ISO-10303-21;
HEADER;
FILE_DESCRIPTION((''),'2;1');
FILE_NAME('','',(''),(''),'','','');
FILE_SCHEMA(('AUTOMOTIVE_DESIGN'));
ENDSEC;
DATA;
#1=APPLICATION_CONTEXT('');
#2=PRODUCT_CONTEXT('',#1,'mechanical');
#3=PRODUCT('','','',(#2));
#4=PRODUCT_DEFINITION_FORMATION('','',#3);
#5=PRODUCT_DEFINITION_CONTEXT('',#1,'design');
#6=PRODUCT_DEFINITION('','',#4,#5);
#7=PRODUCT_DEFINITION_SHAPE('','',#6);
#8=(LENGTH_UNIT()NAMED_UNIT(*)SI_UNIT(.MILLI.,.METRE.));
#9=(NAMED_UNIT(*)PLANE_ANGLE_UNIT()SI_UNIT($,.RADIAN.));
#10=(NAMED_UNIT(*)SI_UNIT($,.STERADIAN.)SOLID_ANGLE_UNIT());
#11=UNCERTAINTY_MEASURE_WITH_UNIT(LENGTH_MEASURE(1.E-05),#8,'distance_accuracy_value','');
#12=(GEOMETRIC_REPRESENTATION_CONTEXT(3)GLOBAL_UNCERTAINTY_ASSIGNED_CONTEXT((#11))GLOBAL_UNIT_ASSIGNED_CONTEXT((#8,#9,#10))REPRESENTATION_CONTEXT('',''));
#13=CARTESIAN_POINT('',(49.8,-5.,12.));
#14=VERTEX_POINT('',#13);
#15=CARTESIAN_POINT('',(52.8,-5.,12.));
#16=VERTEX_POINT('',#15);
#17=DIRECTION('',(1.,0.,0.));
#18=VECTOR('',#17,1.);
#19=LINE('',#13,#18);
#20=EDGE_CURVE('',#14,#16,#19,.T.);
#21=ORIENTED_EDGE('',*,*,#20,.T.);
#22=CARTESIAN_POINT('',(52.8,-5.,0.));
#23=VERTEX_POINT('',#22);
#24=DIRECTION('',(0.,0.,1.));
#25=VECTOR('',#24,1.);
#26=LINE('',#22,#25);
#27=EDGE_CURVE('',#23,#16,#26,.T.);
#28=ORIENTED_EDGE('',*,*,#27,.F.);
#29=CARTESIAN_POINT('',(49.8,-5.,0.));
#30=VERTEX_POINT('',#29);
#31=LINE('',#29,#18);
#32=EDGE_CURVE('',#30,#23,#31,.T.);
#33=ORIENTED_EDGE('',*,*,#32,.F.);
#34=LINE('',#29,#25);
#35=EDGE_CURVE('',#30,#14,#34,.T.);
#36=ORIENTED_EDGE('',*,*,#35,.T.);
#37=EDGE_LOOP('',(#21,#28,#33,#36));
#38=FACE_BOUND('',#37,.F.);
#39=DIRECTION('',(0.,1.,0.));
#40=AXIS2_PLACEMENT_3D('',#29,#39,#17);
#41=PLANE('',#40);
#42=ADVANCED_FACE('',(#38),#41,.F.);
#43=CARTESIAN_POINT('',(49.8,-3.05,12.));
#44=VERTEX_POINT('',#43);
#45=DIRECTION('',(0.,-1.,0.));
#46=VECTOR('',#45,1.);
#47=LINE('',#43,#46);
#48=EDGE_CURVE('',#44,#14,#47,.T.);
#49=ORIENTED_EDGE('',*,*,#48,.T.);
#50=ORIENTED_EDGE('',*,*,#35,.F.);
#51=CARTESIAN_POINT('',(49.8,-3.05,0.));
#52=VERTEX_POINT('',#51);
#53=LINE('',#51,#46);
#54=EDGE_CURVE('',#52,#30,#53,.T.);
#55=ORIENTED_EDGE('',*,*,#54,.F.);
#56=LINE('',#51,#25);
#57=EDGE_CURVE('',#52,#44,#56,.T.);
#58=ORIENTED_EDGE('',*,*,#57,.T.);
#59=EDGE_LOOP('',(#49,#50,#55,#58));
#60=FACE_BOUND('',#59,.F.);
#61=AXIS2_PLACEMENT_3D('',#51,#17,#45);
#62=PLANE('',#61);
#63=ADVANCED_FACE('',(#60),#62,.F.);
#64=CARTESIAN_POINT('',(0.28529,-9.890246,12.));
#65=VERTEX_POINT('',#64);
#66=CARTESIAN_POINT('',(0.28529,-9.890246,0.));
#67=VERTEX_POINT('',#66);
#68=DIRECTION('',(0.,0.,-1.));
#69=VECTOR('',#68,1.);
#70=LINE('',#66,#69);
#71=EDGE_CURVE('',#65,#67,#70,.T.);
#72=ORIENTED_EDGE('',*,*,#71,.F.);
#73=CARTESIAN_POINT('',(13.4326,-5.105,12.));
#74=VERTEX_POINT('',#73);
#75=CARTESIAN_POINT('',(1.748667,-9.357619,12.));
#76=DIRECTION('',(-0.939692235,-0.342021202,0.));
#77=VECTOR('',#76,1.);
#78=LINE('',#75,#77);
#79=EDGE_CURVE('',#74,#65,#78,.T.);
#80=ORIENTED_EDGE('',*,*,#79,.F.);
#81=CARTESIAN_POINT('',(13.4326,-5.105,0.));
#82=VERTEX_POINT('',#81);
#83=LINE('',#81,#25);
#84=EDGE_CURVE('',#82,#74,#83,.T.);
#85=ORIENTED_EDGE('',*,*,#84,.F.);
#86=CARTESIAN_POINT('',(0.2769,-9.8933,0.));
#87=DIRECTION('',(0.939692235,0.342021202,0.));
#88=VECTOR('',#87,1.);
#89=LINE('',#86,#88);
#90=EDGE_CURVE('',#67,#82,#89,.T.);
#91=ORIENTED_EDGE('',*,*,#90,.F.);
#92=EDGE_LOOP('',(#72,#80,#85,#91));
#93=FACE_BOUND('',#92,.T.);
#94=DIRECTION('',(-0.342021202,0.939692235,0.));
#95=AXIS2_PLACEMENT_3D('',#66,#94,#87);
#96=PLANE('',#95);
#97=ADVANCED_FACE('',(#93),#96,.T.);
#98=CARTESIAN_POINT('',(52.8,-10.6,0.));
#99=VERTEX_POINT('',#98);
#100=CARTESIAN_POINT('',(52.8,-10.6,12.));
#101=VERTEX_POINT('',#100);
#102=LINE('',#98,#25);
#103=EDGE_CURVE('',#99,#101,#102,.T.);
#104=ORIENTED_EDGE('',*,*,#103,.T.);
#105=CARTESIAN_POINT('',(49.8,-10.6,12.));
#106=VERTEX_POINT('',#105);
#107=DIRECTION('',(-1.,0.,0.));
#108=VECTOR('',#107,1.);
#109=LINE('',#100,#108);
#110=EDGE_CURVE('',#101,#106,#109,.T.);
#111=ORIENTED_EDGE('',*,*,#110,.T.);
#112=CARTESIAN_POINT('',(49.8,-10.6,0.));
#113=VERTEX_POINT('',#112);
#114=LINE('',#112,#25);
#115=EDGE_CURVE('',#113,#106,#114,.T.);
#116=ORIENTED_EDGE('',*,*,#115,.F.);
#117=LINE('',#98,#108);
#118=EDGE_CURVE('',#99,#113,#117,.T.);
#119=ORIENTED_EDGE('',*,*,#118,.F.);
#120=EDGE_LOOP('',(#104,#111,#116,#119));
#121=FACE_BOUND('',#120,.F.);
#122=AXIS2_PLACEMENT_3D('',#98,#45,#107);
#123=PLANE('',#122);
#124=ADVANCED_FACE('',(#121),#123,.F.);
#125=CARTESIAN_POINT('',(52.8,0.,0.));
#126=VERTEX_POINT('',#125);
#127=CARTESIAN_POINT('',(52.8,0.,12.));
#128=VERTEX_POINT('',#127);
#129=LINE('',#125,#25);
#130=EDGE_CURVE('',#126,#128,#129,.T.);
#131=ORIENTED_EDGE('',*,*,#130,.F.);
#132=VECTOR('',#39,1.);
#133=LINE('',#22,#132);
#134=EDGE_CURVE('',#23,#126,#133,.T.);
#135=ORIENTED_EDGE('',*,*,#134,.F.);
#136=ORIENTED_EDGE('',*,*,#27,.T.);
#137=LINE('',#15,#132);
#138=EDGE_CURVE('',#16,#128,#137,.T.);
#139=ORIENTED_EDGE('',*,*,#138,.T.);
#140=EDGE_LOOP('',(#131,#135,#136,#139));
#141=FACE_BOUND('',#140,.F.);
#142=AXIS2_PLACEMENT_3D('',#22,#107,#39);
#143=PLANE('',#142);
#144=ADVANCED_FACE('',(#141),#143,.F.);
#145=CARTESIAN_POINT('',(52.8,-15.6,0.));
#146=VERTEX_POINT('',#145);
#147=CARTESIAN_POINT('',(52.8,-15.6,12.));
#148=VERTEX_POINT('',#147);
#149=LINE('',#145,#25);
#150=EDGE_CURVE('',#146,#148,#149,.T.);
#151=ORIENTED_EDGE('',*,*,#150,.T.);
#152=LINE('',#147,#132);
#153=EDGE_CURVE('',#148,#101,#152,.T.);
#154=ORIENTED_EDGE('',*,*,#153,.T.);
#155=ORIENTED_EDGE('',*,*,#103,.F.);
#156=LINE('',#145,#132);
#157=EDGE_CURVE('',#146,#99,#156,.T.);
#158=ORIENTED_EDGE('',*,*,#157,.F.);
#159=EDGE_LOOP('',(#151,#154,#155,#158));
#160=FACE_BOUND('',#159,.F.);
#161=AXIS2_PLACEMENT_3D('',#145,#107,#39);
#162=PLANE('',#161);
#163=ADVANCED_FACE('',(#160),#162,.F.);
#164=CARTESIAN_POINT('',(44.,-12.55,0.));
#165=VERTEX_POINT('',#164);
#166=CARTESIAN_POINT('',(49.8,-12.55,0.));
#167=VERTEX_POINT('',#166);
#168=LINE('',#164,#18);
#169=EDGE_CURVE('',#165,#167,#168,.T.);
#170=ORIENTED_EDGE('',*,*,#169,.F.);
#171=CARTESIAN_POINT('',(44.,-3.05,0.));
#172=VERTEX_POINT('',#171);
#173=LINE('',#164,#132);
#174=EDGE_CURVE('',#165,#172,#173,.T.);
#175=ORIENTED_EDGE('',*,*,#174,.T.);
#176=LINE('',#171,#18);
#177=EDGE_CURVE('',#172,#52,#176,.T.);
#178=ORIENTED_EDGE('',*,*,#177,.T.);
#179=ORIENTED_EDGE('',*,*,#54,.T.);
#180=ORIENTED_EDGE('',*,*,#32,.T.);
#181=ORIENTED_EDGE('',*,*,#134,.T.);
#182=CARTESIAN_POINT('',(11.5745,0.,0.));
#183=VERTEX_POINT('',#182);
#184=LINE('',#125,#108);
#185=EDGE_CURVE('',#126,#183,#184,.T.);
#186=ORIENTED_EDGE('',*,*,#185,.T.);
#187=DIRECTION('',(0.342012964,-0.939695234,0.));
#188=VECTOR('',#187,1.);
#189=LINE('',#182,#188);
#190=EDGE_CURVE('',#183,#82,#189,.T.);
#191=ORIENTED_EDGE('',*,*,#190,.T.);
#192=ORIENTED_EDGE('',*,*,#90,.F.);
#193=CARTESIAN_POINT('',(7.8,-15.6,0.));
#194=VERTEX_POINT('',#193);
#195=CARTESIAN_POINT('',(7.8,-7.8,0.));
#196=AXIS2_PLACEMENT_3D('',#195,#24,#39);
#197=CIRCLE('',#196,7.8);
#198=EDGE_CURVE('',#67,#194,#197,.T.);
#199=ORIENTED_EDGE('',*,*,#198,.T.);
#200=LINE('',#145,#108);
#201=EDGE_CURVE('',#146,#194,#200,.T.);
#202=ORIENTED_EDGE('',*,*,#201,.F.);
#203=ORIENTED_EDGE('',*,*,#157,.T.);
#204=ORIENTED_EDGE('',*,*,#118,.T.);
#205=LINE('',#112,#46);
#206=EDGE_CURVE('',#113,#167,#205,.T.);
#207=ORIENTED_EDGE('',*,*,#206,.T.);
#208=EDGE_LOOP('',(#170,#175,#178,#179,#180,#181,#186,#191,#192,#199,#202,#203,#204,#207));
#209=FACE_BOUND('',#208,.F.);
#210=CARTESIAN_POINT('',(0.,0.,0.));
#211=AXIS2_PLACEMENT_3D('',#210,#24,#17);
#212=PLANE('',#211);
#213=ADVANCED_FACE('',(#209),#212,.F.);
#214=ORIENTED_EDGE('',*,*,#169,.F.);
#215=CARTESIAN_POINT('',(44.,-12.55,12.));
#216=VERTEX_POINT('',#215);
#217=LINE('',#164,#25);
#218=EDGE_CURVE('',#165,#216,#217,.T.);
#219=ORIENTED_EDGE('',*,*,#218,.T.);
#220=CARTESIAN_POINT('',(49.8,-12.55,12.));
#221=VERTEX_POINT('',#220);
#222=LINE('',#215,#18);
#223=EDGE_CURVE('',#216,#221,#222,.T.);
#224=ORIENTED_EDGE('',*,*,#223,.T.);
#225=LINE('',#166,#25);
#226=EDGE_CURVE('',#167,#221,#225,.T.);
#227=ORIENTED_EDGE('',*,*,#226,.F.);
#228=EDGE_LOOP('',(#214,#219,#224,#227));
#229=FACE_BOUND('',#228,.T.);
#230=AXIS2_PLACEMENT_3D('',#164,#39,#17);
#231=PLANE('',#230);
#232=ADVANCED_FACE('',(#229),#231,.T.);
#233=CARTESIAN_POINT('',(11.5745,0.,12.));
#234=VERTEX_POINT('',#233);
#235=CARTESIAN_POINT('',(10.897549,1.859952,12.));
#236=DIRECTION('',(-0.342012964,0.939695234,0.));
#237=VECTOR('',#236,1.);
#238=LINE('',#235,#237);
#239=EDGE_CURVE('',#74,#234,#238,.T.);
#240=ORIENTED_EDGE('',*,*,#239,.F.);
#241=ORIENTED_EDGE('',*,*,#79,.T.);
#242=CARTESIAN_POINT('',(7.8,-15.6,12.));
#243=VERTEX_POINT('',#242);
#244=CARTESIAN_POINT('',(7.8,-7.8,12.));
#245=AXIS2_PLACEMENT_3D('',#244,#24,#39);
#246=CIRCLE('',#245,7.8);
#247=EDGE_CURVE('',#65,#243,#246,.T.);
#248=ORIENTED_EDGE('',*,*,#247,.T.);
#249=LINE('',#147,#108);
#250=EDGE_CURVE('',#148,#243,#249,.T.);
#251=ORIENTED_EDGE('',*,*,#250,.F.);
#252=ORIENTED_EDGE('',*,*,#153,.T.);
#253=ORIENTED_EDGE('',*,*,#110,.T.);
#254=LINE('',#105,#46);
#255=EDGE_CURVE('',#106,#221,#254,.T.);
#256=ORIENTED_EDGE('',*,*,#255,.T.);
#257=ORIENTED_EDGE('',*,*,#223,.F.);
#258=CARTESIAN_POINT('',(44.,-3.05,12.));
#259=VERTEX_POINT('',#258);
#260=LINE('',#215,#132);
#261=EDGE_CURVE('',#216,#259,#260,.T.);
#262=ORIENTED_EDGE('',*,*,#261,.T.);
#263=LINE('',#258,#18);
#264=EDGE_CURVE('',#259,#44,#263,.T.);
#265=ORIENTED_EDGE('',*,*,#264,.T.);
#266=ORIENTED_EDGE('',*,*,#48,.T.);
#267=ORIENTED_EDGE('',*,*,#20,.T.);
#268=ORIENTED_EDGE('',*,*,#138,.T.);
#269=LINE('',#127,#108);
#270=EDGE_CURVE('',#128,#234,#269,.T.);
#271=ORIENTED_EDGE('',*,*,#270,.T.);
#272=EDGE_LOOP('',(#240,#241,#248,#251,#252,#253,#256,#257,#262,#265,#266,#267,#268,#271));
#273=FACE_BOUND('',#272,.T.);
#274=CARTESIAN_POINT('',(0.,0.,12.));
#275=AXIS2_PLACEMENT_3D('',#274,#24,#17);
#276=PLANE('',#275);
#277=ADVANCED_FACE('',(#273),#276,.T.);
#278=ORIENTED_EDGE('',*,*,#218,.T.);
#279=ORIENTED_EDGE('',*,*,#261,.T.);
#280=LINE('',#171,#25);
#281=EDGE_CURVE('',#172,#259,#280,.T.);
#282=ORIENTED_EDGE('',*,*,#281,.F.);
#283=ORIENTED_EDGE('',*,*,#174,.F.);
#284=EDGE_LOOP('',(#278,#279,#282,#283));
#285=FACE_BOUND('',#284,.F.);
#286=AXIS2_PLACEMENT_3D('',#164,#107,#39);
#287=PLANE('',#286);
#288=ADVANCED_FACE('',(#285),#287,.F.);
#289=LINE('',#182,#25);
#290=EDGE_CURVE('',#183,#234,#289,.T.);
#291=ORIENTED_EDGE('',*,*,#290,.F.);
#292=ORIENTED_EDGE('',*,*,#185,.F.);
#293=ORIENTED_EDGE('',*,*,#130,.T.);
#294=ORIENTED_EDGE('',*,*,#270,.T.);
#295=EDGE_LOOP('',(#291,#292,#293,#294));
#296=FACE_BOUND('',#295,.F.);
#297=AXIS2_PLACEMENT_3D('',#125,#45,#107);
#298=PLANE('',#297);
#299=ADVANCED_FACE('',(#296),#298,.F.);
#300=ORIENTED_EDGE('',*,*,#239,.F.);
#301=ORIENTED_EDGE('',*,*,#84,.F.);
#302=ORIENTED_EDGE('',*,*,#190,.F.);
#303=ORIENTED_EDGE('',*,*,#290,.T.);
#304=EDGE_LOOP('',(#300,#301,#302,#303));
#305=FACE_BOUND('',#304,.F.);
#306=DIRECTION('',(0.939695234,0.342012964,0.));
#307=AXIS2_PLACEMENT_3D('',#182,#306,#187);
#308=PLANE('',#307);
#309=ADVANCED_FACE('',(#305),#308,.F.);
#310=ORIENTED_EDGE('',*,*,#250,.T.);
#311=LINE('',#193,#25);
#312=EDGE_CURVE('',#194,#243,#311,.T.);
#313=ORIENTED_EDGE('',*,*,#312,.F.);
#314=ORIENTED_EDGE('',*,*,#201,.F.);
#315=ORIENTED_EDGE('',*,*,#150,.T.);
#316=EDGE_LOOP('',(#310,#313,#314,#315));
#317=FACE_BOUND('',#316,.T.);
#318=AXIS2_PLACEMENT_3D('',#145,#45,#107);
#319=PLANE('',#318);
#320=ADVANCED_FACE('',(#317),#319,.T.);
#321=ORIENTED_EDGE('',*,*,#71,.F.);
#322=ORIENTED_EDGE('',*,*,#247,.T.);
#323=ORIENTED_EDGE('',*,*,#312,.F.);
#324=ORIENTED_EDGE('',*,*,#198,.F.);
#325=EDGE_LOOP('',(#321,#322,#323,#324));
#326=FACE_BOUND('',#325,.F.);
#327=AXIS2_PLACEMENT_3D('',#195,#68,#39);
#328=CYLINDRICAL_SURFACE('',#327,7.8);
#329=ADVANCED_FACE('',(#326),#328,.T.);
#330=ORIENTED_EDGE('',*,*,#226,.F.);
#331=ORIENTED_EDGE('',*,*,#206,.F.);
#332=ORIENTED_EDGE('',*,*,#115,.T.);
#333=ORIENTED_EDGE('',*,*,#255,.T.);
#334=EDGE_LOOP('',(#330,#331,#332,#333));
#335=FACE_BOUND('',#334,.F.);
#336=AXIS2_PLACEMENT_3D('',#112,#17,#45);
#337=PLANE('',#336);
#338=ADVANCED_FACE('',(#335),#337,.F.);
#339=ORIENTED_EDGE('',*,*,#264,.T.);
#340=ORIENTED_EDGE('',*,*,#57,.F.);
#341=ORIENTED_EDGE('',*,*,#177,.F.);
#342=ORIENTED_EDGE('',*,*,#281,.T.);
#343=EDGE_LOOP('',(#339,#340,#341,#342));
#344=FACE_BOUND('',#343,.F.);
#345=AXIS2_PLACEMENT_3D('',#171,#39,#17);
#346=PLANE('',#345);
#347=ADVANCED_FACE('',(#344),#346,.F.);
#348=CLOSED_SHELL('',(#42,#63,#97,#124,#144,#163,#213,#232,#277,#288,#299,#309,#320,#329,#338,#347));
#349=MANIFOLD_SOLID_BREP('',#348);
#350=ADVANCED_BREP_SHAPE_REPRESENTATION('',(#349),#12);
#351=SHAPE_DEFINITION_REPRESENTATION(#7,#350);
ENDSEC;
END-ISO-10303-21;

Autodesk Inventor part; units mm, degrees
ref_plane "YZ Plane" through (0, 0, 0) normal (1, 0, 0) x (0, 1, 0)
ref_plane "XZ Plane" through (0, 0, 0) normal (0, 1, 0) x (-1, 0, 0)
ref_plane "XY Plane" through (0, 0, 0) normal (0, 0, 1) x (1, 0, 0)
sketch "Sketch5" plane through (0, 0, 0) normal (0, 0, 1) x (1, 0, 0)
  line L0 (52.8, -15.6) -> (52.8, -10.6)
  line L1 (52.8, -10.6) -> (49.8, -10.6)
  line L2 (49.8, -10.6) -> (49.8, -12.55)
  line L3 (44, -12.55) -> (44, -3.05)
  line L4 (49.8, -3.05) -> (49.8, -5)
  line L5 (49.8, -5) -> (52.8, -5)
  line L6 (52.8, -5) -> (52.8, 0)
  line L7 (52.8, 0) -> (7.8, 0)
  line L8 (44, -3.05) -> (49.8, -3.05)
  line L9 (44, -12.55) -> (49.8, -12.55)
  line L10 (52.8, -15.6) -> (7.8, -15.6)
  arc A0 (7.8, 0) -> (7.8, -15.6) centre (7.8, -7.8) ccw
  point P0 (0, 0)
  dimension "d41" = 5.8
  dimension "d48" = 44
  dimension "d63" = 45
  dimension "d67" = 15.6
  dimension "d71" = 0
  dimension "d72" = 36.2
  dimension "d85" = 5.6
  dimension "d86" = 9.5
  dimension "d87" = 3
extrude "Extrusion2" add sketch "Sketch5" along normal blind 12
sketch "Sketch8" plane through (0, 0, 0) normal (0, 0, -1) x (-1, 0, 0)
  arc A0 (-7.8, -15.6) -> (-7.8, 0) centre (-7.8, -7.8) ccw projected
  line L0 (-11.5745, 0) -> (-13.6398, -5.6745)
  line L1 (-7.8, 0) -> (-1.143, 0) construction
  arc A1 (-7.8, -15.6) -> (-7.8, 0) centre (-7.8, -7.8) ccw projected
  line L2 (-7.8, -7.8) -> (4.6142, -7.8) construction
  line L3 (1.0278, -11.0131) -> (-7.8, -7.8) construction
  line L4 (-7.8, -7.8) -> (-17.6382, -4.2192) construction
  line L5 (-52.8, 0) -> (-7.8, 0) projected
  arc A2 (-0.2769, -9.8933) -> (-7.8, 0) centre (-7.7907, -7.8) ccw
  line L6 (-0.2769, -9.8933) -> (-13.4326, -5.105)
  line L7 (-52.8, 0) -> (-7.8, 0) projected
  arc A3 (-0.2769, -9.8933) -> (-7.8, 0) centre (-7.7907, -7.8) ccw
  line L8 (-7.8, 0) -> (-11.5745, 0)
  point P0 (0, 0)
  point P1 (-0.2853, -9.8902)
  dimension "d80" = 110
  dimension "d81" = 20
  dimension "d84" = 20
  dimension "d88" = 14
extrude "Extrusion5" cut sketch "Sketch8" against normal through all
equation "\"l1\" = 8"
properties part number "Finray_test_8_Kerbe_10deg"
